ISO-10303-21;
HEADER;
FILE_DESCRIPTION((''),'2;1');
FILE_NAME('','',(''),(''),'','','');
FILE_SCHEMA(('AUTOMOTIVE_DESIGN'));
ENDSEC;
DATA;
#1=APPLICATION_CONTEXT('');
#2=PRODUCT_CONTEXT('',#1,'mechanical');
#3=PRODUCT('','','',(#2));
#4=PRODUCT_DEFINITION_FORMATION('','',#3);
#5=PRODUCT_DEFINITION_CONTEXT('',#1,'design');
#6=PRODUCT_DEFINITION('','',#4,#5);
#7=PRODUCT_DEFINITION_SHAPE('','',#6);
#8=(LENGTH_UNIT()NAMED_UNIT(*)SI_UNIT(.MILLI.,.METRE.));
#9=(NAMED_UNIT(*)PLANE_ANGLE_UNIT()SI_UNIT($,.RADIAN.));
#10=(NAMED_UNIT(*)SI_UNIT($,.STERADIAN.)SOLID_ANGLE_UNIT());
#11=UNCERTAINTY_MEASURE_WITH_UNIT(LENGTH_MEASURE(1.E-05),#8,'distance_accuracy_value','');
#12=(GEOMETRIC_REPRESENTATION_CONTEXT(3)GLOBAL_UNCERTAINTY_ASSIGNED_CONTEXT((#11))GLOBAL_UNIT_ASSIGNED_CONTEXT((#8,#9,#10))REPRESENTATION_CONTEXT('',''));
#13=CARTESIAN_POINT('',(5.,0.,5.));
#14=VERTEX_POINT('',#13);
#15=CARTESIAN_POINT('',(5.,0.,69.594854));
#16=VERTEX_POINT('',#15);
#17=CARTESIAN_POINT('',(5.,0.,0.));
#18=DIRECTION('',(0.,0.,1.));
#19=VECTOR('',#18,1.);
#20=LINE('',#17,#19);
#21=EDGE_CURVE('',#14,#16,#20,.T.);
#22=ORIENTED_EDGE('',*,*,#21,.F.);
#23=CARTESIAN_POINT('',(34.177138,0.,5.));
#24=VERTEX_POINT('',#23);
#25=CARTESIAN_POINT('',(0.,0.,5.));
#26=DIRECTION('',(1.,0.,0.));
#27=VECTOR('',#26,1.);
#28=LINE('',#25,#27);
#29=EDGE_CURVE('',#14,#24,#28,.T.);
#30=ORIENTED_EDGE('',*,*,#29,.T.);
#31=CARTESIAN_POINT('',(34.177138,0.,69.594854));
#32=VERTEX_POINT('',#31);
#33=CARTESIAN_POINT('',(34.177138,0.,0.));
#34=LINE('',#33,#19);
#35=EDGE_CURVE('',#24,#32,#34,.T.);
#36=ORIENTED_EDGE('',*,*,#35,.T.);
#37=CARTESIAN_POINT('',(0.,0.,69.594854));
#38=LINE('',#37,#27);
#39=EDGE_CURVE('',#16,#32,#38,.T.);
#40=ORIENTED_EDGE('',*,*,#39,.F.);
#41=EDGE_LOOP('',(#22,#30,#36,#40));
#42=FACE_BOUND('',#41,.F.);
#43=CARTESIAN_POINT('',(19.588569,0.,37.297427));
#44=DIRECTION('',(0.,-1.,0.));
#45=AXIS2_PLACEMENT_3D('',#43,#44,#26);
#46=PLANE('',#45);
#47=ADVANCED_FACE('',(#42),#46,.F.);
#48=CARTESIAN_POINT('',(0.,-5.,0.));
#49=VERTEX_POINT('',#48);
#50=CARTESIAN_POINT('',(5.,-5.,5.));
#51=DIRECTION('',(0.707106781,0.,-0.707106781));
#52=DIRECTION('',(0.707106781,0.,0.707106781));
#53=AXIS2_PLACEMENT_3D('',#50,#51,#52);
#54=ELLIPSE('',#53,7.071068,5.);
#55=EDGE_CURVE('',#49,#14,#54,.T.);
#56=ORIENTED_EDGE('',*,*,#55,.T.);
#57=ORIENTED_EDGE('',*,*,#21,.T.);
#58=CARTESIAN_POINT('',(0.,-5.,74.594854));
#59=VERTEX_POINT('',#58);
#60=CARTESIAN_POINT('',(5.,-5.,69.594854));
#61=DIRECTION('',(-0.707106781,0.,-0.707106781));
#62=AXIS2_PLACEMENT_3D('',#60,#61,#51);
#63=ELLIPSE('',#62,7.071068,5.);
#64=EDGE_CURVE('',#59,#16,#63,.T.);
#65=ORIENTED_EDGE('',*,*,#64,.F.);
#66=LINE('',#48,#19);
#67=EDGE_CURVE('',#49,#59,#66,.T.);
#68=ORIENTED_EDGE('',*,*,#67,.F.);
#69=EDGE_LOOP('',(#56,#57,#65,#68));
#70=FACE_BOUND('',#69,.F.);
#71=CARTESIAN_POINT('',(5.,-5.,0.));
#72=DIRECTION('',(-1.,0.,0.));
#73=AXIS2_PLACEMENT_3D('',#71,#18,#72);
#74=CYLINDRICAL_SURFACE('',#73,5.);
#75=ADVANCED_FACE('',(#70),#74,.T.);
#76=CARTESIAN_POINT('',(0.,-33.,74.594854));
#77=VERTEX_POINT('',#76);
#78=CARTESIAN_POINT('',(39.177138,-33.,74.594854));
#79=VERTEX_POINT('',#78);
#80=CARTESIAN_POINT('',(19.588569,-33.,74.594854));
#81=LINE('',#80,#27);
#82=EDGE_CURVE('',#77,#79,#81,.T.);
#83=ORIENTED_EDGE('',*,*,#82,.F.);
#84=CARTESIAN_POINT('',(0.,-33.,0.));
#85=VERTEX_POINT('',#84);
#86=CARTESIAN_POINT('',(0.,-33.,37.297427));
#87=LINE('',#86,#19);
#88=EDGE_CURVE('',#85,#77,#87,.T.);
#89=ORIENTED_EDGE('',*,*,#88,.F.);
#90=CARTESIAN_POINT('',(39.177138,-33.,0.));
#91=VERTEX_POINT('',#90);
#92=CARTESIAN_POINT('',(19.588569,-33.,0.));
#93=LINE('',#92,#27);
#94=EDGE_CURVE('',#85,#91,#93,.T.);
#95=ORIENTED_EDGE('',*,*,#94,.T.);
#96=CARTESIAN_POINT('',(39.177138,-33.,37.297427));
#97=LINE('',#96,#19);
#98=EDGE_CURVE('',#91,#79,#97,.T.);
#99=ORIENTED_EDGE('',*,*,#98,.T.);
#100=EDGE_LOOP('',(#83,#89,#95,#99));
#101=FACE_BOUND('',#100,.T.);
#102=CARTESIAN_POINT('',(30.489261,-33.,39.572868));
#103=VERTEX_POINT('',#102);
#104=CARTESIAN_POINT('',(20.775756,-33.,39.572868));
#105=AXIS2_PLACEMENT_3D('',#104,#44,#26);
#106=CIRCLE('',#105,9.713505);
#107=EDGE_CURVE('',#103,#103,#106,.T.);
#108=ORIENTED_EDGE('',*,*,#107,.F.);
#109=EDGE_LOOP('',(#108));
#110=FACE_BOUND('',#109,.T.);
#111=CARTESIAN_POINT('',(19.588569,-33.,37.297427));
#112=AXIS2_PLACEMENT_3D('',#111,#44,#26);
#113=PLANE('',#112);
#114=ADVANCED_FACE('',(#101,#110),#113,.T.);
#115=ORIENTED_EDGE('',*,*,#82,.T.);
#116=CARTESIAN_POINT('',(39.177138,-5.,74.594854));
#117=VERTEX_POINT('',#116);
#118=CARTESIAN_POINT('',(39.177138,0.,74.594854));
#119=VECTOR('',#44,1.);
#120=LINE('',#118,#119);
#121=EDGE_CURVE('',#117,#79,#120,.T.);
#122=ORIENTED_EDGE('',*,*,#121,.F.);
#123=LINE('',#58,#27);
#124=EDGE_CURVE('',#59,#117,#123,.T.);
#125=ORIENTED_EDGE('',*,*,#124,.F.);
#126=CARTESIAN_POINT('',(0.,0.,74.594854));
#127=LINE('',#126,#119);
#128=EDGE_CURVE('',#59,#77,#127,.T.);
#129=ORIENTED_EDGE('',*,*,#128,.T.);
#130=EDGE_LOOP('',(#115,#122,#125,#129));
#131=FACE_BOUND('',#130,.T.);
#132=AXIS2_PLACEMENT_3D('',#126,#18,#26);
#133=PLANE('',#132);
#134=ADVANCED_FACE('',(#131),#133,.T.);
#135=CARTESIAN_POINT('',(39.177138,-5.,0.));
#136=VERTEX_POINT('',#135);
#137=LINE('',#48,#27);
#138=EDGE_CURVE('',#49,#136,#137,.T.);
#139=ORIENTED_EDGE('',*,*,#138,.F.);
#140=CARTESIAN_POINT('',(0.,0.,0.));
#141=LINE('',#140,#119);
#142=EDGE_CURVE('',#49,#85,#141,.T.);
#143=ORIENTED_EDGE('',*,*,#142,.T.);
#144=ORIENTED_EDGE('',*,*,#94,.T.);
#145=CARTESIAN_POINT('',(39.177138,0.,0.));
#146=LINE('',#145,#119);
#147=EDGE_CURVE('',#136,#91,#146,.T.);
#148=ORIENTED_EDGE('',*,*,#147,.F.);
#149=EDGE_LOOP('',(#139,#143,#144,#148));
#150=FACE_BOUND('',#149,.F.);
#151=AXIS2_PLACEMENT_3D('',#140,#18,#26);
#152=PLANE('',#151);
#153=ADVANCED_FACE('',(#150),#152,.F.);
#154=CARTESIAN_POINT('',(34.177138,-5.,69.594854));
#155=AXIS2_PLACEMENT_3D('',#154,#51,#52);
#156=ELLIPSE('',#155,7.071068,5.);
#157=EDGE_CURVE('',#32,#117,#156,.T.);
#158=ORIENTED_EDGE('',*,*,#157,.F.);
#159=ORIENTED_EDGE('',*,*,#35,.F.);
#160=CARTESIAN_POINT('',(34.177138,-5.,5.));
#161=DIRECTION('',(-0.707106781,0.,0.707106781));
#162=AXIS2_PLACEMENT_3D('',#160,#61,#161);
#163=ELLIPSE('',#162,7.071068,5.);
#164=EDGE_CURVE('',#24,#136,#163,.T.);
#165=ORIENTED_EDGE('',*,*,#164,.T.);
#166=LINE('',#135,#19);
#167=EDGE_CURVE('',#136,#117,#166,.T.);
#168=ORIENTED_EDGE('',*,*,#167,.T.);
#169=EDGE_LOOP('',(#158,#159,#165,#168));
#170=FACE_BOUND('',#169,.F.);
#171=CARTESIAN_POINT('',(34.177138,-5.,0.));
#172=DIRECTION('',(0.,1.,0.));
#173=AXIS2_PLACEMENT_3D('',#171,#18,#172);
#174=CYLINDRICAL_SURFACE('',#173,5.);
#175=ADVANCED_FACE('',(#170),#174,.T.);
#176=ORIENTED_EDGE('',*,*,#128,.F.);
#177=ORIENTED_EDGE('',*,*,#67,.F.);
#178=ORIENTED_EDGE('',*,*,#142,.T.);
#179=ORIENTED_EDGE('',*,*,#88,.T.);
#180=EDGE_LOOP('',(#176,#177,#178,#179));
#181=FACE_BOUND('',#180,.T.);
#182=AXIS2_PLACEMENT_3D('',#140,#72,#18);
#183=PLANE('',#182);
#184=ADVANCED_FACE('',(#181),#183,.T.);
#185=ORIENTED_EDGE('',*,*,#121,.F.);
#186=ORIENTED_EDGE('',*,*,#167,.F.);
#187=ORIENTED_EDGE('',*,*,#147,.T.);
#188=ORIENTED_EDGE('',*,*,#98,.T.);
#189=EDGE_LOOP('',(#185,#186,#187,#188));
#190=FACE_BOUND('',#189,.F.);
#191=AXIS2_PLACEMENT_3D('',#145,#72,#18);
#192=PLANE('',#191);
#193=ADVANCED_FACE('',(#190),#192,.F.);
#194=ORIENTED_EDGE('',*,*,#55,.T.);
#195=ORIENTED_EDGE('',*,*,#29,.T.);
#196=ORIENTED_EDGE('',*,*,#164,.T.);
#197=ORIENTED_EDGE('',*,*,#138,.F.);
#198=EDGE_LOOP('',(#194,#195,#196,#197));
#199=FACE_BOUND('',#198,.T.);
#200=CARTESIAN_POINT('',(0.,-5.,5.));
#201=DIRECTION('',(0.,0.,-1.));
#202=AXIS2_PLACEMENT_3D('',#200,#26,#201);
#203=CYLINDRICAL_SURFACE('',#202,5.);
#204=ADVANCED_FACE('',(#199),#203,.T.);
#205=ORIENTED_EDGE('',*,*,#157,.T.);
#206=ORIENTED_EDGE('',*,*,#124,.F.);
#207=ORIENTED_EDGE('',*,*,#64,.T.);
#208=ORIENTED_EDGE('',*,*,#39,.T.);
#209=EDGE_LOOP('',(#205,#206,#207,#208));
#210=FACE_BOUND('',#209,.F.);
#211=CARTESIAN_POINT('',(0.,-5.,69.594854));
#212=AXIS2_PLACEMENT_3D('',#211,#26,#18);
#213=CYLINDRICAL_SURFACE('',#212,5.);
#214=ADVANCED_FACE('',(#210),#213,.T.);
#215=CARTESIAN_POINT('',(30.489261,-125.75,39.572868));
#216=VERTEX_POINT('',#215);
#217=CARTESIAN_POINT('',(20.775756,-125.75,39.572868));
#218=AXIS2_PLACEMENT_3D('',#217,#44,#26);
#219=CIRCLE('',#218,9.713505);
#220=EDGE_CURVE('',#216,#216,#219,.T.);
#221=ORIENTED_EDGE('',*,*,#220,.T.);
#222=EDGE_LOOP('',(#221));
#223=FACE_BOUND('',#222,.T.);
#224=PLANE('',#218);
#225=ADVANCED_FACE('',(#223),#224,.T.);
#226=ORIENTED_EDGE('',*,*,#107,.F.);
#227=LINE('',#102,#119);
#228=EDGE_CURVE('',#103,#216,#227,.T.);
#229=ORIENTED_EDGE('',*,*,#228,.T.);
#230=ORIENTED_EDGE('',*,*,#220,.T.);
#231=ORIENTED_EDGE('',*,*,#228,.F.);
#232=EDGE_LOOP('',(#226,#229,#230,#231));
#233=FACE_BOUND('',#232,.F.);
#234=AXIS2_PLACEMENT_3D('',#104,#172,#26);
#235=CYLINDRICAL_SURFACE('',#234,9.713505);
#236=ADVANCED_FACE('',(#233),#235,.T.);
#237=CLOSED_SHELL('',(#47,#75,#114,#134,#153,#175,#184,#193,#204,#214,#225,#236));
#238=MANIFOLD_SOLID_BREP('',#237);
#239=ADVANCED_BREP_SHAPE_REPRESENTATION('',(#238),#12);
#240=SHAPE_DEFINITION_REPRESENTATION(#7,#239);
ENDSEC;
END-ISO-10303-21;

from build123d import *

# Parameters (mm, degrees)
F0_W     = 39.177138
F0_H     = 74.594855
F1_DEPTH = 33
F2_R     = 9.713505
F3_DEPTH = 92.75
F4_R     = 5


with BuildPart() as f1:
    # F0 (on Front) → F1 (new body)
    with BuildSketch(Plane.XZ):
        with Locations((19.588569, 37.297427)):
            Rectangle(F0_W, F0_H)
    extrude(amount=F1_DEPTH)

    # F2 (on face) → F3 (join)
    with BuildSketch(Plane.XZ.offset(33)):
        with Locations((20.775756, 39.572868)):
            Circle(F2_R)
    extrude(amount=F3_DEPTH)

    # F4
    f4_edges = [f1.edges().sort_by_distance(p)[0] for p in [
        (39.177138, 0, 37.297428),
        (19.588569, 0, 74.594855),
        (0, 0, 37.297428),
        (19.588569, 0, 0),
    ]]
    fillet(f4_edges, radius=F4_R)


solid = f1.part
